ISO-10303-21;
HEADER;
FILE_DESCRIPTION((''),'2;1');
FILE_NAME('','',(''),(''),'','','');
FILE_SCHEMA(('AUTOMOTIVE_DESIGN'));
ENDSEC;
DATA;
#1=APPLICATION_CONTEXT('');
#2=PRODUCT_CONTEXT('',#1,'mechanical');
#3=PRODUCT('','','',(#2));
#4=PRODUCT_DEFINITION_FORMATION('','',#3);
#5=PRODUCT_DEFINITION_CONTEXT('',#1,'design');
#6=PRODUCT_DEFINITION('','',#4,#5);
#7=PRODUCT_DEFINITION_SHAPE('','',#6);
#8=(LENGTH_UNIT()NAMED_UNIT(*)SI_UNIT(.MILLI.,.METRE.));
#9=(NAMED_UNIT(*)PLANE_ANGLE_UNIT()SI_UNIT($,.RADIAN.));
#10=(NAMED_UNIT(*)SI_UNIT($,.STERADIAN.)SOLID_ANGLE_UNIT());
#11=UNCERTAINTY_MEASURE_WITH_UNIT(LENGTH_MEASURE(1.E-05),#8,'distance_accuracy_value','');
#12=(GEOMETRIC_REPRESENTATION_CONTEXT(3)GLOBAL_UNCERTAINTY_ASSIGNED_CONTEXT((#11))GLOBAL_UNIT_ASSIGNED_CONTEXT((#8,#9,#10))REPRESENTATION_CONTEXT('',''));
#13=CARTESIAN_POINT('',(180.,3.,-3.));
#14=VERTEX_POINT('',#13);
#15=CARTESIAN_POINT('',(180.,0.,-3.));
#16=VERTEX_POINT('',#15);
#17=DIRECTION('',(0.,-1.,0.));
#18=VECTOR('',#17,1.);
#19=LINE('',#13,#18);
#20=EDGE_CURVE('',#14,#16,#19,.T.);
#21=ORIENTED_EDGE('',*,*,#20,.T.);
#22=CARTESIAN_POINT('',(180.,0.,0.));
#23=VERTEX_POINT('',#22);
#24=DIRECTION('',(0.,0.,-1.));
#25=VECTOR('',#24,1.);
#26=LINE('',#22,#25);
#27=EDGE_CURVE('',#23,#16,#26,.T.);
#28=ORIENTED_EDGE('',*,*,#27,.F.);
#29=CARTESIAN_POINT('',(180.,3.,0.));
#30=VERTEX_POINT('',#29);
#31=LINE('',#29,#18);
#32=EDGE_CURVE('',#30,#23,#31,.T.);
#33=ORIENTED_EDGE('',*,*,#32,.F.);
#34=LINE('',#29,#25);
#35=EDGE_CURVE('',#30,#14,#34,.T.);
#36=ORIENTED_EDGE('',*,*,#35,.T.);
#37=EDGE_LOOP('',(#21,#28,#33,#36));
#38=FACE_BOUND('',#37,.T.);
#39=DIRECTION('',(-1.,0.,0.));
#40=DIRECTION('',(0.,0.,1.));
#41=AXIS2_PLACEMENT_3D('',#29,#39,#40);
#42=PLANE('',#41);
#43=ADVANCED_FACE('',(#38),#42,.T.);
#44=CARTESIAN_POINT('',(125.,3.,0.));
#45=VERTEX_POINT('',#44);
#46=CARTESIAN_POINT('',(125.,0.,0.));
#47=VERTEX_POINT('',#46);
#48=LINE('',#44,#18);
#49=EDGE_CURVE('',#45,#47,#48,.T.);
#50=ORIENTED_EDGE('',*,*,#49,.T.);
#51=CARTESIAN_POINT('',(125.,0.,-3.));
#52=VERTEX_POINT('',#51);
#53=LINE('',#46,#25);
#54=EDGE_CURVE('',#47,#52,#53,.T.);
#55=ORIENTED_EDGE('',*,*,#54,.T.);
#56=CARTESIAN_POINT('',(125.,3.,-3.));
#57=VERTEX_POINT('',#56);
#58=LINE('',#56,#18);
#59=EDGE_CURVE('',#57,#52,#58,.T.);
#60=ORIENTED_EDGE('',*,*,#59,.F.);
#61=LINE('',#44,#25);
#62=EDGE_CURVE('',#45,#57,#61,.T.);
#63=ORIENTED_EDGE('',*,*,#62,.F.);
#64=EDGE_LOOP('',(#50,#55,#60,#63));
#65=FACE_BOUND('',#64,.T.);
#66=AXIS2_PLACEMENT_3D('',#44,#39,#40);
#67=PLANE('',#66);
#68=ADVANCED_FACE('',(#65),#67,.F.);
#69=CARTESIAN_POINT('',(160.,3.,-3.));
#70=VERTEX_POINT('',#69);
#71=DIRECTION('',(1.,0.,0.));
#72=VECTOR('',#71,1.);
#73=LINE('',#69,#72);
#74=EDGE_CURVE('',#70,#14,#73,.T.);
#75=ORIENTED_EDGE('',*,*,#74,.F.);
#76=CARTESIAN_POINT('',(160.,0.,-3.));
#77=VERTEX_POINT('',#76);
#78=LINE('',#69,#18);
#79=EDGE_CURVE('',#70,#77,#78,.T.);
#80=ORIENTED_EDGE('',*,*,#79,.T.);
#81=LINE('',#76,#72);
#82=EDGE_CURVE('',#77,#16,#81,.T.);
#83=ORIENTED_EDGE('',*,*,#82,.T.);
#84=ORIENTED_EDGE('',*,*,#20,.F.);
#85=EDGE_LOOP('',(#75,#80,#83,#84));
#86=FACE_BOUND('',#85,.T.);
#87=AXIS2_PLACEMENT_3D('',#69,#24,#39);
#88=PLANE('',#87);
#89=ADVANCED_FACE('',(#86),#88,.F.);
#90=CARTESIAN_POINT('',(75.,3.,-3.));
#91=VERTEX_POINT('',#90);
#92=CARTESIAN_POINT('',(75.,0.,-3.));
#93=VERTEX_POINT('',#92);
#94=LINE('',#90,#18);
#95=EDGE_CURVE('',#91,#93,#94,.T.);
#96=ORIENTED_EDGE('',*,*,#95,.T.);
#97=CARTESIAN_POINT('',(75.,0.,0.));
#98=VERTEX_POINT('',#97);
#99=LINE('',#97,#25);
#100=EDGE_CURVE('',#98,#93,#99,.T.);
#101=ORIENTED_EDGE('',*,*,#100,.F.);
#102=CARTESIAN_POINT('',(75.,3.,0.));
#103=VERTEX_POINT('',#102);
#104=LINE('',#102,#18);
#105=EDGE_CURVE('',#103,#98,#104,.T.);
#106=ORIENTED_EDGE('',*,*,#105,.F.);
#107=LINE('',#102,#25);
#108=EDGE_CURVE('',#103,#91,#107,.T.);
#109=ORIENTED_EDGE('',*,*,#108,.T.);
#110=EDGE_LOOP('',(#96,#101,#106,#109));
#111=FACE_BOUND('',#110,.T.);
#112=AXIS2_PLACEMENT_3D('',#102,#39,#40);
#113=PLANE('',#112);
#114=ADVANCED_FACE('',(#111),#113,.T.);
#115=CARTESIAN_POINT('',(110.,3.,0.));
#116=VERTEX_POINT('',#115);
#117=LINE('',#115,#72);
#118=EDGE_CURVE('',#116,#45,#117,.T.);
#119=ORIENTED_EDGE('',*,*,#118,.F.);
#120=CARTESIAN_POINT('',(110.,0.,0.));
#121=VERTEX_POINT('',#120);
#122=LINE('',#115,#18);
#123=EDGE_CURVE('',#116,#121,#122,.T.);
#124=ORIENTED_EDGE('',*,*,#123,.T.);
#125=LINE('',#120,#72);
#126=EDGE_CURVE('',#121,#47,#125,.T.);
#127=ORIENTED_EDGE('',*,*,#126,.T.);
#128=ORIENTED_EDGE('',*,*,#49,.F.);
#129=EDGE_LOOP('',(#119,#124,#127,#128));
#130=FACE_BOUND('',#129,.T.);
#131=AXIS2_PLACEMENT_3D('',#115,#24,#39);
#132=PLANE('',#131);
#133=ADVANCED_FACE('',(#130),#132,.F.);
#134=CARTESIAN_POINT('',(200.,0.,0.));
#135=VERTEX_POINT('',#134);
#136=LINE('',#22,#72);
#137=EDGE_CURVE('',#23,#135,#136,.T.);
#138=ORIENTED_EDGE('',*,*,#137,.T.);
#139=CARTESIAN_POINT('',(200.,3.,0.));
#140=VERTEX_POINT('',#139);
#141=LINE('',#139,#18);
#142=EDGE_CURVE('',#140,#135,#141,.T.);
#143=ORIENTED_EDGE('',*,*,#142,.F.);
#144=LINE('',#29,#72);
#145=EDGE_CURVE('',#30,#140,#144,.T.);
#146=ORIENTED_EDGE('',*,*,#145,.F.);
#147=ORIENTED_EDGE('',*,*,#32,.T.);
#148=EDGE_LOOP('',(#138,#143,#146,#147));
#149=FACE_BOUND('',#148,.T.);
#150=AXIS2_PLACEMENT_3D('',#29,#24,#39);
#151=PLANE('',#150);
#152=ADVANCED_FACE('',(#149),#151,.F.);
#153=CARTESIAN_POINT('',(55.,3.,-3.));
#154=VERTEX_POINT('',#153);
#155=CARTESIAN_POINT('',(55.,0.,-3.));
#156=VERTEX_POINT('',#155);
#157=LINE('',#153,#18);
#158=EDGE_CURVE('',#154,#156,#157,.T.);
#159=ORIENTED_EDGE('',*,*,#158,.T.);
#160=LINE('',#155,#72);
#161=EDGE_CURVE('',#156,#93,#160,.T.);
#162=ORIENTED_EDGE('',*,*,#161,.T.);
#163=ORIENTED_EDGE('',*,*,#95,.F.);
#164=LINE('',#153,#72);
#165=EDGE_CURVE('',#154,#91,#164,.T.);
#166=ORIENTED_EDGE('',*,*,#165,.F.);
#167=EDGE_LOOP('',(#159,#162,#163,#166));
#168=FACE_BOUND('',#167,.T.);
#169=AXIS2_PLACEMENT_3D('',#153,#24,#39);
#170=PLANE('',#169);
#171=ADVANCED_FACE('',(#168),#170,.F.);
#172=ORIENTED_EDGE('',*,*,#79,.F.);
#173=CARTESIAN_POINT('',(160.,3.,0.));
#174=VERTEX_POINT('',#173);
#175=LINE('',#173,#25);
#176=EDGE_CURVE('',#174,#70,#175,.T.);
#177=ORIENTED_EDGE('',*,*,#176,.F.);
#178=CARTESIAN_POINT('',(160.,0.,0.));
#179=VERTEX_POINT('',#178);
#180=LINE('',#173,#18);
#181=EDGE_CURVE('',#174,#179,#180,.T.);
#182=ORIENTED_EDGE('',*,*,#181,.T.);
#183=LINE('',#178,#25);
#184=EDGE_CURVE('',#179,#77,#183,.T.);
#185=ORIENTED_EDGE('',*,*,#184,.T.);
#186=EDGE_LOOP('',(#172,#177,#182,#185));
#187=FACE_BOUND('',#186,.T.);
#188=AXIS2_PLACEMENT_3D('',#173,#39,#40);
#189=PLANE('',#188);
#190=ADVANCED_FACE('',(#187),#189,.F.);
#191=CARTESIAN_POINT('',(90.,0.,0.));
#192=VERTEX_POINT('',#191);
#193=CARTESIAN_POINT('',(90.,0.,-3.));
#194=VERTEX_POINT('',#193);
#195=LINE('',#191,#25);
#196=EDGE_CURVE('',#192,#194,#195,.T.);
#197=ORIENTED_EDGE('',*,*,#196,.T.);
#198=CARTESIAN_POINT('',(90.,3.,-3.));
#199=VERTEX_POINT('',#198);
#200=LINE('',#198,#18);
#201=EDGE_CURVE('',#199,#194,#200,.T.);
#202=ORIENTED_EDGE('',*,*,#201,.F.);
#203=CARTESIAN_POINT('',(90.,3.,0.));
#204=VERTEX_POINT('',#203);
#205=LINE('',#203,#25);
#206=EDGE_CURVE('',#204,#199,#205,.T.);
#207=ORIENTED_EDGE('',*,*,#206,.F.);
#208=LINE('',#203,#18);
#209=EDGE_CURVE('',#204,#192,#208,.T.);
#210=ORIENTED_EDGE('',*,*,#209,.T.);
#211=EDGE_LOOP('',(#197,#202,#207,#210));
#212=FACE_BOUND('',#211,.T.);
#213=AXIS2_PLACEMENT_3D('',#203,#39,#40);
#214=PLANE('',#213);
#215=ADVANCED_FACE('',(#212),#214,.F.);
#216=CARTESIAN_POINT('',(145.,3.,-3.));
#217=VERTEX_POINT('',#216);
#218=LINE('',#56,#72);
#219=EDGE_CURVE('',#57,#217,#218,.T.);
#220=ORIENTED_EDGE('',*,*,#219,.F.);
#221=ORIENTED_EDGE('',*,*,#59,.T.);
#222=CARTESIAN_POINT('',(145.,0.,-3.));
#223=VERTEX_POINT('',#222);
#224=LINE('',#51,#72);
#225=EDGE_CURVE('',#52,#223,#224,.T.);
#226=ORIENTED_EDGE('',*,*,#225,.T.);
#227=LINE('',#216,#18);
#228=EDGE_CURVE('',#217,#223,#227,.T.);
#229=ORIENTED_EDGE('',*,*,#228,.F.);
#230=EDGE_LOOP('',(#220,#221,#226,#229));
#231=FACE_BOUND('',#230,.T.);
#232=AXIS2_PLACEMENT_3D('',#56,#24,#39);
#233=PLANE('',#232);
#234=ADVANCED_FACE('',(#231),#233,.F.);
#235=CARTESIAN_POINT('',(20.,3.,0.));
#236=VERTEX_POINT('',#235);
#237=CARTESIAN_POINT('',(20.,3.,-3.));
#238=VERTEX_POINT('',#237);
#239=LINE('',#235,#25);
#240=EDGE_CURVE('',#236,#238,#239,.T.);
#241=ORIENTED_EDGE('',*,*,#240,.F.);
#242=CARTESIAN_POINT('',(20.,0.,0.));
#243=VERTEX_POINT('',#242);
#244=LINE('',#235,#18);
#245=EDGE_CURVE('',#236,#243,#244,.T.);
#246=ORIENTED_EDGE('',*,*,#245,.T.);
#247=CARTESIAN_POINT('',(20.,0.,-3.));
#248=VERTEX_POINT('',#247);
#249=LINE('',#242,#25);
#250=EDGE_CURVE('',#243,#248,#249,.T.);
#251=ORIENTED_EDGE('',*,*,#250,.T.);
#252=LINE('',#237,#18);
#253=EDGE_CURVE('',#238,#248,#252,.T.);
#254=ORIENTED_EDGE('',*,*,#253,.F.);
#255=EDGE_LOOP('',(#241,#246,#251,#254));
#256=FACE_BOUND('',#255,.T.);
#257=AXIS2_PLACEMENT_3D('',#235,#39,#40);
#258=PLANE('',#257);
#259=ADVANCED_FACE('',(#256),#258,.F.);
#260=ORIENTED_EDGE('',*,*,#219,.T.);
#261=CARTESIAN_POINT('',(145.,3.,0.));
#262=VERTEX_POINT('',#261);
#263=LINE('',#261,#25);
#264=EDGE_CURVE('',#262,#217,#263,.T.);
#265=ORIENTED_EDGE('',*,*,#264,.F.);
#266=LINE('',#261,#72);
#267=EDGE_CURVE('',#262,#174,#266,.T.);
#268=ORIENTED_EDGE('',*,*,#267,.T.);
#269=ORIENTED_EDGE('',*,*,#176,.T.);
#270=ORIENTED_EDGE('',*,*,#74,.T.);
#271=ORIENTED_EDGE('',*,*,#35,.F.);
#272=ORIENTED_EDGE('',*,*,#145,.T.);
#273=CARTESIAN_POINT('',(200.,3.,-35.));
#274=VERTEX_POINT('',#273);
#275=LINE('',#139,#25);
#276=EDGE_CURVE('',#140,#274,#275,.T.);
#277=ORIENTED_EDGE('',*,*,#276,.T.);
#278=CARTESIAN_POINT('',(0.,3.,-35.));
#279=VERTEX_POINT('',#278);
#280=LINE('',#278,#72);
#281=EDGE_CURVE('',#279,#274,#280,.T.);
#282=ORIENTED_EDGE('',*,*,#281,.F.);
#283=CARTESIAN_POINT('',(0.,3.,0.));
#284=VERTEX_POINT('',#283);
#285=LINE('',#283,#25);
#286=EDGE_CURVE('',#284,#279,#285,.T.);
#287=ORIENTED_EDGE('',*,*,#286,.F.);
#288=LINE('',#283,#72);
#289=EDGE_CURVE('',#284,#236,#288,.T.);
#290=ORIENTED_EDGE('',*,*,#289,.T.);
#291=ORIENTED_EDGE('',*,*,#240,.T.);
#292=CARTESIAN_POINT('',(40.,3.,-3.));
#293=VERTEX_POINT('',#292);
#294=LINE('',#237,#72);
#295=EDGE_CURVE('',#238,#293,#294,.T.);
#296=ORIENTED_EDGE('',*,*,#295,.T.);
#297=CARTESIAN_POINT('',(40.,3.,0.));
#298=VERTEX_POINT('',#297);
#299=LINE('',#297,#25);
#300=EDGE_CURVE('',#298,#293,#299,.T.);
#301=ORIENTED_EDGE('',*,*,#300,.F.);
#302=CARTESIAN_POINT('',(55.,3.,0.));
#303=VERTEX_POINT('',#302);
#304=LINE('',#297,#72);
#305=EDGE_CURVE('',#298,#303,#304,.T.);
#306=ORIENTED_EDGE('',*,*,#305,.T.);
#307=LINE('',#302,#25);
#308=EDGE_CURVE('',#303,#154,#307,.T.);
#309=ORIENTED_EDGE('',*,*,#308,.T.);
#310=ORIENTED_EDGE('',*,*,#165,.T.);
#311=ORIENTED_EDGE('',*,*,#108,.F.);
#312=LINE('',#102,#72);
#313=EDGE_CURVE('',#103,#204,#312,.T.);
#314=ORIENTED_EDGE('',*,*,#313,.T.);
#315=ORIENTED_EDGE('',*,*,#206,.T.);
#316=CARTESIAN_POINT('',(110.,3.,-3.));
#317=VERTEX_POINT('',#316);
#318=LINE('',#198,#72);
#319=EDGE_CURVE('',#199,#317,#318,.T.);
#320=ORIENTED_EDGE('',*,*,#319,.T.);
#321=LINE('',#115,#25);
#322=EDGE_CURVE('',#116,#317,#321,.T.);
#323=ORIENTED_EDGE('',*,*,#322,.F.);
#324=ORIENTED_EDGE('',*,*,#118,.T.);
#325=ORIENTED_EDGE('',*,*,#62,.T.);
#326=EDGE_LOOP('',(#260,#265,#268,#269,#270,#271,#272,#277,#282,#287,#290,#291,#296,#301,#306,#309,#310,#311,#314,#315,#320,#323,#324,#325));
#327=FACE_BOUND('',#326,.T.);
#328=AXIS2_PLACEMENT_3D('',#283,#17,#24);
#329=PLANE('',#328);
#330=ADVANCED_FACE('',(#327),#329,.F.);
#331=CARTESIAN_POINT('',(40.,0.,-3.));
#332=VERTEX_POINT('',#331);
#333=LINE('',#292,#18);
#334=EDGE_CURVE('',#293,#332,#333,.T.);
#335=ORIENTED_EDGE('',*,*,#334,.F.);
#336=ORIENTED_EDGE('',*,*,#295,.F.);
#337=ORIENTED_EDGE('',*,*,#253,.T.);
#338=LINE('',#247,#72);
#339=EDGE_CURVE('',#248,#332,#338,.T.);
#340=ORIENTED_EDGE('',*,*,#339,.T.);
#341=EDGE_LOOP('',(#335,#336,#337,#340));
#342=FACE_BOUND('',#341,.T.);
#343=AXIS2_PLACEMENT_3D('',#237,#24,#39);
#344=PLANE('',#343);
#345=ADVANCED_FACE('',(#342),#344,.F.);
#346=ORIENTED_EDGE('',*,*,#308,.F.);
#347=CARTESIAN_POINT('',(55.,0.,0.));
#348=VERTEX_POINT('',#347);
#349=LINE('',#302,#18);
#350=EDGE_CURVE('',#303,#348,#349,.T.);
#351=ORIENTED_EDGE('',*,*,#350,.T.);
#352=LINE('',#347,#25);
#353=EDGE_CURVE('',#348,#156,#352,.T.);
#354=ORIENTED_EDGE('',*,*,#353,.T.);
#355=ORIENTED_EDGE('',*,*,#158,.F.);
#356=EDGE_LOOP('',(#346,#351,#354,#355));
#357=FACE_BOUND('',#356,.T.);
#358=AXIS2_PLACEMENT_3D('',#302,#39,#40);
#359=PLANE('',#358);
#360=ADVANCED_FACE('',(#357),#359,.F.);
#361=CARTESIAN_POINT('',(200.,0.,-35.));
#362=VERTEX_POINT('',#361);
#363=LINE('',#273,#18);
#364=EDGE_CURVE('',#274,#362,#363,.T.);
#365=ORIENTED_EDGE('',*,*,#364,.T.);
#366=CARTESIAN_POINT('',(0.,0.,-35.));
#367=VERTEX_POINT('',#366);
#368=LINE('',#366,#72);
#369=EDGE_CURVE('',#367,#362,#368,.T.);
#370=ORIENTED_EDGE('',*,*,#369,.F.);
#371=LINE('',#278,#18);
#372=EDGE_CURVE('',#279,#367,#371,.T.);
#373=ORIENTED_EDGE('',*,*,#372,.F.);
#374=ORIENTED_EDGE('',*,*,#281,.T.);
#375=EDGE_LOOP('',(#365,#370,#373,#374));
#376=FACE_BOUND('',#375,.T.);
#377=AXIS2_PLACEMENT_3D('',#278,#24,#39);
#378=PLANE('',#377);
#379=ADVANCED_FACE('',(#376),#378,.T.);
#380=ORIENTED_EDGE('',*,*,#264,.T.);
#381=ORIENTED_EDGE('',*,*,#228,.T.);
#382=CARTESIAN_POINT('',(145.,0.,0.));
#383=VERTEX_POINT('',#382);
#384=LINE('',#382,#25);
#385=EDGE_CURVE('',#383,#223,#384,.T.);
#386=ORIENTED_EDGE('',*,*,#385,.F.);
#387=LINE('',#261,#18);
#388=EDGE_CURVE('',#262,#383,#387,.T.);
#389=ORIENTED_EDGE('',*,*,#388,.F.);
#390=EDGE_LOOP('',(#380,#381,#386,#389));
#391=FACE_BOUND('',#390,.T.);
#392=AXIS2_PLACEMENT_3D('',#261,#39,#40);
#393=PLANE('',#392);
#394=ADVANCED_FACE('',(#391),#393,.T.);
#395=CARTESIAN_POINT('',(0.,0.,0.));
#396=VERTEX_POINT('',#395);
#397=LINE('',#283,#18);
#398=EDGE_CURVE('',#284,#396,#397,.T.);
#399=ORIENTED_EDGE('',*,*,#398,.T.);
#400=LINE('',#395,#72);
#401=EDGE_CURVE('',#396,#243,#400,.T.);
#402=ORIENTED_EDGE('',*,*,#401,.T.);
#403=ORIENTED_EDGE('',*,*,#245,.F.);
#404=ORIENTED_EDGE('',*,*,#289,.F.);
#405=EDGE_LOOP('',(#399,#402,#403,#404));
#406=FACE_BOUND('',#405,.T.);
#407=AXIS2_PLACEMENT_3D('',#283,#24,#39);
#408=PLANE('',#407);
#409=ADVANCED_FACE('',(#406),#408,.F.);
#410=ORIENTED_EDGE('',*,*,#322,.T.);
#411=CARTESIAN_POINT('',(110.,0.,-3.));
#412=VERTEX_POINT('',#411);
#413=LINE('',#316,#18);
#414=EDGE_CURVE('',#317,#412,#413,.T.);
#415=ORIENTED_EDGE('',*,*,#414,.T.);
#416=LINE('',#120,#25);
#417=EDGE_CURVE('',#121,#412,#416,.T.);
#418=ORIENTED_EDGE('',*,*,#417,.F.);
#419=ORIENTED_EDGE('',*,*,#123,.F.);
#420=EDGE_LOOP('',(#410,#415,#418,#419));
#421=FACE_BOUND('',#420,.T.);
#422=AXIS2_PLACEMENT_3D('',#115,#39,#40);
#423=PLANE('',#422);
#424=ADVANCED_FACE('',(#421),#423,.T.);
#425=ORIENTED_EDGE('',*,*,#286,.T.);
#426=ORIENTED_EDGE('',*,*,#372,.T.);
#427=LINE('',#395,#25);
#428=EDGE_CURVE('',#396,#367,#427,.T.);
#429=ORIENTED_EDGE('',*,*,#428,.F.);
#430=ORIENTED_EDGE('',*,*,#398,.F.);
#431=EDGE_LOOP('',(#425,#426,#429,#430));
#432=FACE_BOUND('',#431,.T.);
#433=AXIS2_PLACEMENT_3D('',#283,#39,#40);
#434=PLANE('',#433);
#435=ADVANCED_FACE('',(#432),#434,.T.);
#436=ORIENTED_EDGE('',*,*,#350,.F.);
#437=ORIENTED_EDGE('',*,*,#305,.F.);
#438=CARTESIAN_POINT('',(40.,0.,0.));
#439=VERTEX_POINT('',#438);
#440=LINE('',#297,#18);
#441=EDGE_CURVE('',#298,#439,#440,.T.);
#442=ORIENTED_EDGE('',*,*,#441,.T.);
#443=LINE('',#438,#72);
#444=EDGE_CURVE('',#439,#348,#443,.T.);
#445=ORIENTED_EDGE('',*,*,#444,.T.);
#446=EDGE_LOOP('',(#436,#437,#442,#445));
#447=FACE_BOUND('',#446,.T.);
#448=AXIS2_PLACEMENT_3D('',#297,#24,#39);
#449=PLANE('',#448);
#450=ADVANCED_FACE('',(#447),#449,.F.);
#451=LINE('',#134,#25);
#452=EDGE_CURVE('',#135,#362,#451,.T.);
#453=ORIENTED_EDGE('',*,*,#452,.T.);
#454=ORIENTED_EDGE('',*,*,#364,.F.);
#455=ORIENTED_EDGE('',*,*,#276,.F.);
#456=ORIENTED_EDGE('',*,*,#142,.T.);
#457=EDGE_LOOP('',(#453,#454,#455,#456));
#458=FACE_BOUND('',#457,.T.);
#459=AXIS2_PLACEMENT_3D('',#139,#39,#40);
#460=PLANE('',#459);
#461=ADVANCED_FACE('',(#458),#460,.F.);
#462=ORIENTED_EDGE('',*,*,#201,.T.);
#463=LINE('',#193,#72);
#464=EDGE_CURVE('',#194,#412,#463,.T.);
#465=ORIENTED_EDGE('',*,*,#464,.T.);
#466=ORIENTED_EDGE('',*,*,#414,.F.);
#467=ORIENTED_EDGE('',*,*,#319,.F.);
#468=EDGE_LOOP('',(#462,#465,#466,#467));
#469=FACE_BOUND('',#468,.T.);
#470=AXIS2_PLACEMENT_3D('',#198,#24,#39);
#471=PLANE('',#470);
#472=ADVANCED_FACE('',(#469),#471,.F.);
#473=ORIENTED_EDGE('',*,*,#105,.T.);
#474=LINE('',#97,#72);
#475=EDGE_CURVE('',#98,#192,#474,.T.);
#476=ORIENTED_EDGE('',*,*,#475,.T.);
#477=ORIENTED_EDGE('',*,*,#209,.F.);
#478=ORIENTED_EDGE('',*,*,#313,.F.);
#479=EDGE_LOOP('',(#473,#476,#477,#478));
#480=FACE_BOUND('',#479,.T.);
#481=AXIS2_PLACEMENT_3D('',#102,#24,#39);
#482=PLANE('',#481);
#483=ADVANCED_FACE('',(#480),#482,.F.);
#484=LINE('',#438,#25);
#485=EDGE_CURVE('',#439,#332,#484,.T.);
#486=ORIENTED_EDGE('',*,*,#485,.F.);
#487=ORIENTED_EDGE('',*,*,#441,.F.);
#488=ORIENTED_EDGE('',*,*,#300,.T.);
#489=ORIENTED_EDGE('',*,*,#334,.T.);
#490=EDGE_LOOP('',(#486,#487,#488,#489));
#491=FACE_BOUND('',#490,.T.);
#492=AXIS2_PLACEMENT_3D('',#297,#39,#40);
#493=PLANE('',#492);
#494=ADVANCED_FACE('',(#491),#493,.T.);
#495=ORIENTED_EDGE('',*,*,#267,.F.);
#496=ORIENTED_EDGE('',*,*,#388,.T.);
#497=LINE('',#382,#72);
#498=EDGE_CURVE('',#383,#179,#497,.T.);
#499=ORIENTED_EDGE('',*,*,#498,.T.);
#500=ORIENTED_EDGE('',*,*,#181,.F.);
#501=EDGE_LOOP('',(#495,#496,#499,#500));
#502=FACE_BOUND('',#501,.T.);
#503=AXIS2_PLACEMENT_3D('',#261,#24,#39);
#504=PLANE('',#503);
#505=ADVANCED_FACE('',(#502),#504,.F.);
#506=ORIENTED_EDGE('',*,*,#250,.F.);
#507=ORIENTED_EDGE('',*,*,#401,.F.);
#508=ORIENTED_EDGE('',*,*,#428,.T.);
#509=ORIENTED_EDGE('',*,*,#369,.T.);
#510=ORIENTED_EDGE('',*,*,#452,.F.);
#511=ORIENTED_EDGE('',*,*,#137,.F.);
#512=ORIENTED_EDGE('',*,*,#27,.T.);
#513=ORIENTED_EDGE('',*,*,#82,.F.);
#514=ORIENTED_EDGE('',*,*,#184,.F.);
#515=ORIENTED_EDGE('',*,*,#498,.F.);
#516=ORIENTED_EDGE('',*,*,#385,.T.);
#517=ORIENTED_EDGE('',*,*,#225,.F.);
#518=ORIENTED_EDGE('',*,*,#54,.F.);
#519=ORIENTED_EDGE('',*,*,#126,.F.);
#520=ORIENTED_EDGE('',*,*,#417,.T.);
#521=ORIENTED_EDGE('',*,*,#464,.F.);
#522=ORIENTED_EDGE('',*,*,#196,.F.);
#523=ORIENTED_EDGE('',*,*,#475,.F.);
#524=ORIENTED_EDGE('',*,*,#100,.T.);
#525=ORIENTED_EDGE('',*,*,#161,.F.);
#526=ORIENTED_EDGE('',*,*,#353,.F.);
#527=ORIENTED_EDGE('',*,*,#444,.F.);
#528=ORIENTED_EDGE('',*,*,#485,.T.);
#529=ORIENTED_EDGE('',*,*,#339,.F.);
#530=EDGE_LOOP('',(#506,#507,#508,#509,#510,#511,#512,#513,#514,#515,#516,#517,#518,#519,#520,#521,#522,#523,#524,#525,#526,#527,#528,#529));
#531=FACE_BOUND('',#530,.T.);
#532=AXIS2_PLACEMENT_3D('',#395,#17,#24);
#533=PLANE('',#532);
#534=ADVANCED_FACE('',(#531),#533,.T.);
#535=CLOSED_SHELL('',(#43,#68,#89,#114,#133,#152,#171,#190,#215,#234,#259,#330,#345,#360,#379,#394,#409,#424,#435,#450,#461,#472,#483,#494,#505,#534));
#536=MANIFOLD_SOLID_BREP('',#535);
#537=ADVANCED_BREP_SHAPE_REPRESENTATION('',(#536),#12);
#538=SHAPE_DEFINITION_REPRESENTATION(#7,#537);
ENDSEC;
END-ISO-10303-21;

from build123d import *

# Parameters (mm, degrees)
BOSS_EXTRUDE1_DEPTH = 3


with BuildPart() as part:
    # Sketch1 → Boss-Extrude1 (new body)
    with BuildSketch(Plane(origin=(0, 0, 0), x_dir=(1, 0, 0), z_dir=(0, 1, 0))):
        Polygon((40, 0), (55, 0), (55, 3), (75, 3), (75, 0), (90, 0), (90, 3), (110, 3), (110, 0), (125, 0), (125, 3), (145, 3), (145, 0), (160, 0), (160, 3), (180, 3), (180, 0), (200, 0), (200, 35), (0, 35), (0, 0), (20, 0), (20, 3), (40, 3), align=None)
    extrude(amount=BOSS_EXTRUDE1_DEPTH)


solid = part.part
